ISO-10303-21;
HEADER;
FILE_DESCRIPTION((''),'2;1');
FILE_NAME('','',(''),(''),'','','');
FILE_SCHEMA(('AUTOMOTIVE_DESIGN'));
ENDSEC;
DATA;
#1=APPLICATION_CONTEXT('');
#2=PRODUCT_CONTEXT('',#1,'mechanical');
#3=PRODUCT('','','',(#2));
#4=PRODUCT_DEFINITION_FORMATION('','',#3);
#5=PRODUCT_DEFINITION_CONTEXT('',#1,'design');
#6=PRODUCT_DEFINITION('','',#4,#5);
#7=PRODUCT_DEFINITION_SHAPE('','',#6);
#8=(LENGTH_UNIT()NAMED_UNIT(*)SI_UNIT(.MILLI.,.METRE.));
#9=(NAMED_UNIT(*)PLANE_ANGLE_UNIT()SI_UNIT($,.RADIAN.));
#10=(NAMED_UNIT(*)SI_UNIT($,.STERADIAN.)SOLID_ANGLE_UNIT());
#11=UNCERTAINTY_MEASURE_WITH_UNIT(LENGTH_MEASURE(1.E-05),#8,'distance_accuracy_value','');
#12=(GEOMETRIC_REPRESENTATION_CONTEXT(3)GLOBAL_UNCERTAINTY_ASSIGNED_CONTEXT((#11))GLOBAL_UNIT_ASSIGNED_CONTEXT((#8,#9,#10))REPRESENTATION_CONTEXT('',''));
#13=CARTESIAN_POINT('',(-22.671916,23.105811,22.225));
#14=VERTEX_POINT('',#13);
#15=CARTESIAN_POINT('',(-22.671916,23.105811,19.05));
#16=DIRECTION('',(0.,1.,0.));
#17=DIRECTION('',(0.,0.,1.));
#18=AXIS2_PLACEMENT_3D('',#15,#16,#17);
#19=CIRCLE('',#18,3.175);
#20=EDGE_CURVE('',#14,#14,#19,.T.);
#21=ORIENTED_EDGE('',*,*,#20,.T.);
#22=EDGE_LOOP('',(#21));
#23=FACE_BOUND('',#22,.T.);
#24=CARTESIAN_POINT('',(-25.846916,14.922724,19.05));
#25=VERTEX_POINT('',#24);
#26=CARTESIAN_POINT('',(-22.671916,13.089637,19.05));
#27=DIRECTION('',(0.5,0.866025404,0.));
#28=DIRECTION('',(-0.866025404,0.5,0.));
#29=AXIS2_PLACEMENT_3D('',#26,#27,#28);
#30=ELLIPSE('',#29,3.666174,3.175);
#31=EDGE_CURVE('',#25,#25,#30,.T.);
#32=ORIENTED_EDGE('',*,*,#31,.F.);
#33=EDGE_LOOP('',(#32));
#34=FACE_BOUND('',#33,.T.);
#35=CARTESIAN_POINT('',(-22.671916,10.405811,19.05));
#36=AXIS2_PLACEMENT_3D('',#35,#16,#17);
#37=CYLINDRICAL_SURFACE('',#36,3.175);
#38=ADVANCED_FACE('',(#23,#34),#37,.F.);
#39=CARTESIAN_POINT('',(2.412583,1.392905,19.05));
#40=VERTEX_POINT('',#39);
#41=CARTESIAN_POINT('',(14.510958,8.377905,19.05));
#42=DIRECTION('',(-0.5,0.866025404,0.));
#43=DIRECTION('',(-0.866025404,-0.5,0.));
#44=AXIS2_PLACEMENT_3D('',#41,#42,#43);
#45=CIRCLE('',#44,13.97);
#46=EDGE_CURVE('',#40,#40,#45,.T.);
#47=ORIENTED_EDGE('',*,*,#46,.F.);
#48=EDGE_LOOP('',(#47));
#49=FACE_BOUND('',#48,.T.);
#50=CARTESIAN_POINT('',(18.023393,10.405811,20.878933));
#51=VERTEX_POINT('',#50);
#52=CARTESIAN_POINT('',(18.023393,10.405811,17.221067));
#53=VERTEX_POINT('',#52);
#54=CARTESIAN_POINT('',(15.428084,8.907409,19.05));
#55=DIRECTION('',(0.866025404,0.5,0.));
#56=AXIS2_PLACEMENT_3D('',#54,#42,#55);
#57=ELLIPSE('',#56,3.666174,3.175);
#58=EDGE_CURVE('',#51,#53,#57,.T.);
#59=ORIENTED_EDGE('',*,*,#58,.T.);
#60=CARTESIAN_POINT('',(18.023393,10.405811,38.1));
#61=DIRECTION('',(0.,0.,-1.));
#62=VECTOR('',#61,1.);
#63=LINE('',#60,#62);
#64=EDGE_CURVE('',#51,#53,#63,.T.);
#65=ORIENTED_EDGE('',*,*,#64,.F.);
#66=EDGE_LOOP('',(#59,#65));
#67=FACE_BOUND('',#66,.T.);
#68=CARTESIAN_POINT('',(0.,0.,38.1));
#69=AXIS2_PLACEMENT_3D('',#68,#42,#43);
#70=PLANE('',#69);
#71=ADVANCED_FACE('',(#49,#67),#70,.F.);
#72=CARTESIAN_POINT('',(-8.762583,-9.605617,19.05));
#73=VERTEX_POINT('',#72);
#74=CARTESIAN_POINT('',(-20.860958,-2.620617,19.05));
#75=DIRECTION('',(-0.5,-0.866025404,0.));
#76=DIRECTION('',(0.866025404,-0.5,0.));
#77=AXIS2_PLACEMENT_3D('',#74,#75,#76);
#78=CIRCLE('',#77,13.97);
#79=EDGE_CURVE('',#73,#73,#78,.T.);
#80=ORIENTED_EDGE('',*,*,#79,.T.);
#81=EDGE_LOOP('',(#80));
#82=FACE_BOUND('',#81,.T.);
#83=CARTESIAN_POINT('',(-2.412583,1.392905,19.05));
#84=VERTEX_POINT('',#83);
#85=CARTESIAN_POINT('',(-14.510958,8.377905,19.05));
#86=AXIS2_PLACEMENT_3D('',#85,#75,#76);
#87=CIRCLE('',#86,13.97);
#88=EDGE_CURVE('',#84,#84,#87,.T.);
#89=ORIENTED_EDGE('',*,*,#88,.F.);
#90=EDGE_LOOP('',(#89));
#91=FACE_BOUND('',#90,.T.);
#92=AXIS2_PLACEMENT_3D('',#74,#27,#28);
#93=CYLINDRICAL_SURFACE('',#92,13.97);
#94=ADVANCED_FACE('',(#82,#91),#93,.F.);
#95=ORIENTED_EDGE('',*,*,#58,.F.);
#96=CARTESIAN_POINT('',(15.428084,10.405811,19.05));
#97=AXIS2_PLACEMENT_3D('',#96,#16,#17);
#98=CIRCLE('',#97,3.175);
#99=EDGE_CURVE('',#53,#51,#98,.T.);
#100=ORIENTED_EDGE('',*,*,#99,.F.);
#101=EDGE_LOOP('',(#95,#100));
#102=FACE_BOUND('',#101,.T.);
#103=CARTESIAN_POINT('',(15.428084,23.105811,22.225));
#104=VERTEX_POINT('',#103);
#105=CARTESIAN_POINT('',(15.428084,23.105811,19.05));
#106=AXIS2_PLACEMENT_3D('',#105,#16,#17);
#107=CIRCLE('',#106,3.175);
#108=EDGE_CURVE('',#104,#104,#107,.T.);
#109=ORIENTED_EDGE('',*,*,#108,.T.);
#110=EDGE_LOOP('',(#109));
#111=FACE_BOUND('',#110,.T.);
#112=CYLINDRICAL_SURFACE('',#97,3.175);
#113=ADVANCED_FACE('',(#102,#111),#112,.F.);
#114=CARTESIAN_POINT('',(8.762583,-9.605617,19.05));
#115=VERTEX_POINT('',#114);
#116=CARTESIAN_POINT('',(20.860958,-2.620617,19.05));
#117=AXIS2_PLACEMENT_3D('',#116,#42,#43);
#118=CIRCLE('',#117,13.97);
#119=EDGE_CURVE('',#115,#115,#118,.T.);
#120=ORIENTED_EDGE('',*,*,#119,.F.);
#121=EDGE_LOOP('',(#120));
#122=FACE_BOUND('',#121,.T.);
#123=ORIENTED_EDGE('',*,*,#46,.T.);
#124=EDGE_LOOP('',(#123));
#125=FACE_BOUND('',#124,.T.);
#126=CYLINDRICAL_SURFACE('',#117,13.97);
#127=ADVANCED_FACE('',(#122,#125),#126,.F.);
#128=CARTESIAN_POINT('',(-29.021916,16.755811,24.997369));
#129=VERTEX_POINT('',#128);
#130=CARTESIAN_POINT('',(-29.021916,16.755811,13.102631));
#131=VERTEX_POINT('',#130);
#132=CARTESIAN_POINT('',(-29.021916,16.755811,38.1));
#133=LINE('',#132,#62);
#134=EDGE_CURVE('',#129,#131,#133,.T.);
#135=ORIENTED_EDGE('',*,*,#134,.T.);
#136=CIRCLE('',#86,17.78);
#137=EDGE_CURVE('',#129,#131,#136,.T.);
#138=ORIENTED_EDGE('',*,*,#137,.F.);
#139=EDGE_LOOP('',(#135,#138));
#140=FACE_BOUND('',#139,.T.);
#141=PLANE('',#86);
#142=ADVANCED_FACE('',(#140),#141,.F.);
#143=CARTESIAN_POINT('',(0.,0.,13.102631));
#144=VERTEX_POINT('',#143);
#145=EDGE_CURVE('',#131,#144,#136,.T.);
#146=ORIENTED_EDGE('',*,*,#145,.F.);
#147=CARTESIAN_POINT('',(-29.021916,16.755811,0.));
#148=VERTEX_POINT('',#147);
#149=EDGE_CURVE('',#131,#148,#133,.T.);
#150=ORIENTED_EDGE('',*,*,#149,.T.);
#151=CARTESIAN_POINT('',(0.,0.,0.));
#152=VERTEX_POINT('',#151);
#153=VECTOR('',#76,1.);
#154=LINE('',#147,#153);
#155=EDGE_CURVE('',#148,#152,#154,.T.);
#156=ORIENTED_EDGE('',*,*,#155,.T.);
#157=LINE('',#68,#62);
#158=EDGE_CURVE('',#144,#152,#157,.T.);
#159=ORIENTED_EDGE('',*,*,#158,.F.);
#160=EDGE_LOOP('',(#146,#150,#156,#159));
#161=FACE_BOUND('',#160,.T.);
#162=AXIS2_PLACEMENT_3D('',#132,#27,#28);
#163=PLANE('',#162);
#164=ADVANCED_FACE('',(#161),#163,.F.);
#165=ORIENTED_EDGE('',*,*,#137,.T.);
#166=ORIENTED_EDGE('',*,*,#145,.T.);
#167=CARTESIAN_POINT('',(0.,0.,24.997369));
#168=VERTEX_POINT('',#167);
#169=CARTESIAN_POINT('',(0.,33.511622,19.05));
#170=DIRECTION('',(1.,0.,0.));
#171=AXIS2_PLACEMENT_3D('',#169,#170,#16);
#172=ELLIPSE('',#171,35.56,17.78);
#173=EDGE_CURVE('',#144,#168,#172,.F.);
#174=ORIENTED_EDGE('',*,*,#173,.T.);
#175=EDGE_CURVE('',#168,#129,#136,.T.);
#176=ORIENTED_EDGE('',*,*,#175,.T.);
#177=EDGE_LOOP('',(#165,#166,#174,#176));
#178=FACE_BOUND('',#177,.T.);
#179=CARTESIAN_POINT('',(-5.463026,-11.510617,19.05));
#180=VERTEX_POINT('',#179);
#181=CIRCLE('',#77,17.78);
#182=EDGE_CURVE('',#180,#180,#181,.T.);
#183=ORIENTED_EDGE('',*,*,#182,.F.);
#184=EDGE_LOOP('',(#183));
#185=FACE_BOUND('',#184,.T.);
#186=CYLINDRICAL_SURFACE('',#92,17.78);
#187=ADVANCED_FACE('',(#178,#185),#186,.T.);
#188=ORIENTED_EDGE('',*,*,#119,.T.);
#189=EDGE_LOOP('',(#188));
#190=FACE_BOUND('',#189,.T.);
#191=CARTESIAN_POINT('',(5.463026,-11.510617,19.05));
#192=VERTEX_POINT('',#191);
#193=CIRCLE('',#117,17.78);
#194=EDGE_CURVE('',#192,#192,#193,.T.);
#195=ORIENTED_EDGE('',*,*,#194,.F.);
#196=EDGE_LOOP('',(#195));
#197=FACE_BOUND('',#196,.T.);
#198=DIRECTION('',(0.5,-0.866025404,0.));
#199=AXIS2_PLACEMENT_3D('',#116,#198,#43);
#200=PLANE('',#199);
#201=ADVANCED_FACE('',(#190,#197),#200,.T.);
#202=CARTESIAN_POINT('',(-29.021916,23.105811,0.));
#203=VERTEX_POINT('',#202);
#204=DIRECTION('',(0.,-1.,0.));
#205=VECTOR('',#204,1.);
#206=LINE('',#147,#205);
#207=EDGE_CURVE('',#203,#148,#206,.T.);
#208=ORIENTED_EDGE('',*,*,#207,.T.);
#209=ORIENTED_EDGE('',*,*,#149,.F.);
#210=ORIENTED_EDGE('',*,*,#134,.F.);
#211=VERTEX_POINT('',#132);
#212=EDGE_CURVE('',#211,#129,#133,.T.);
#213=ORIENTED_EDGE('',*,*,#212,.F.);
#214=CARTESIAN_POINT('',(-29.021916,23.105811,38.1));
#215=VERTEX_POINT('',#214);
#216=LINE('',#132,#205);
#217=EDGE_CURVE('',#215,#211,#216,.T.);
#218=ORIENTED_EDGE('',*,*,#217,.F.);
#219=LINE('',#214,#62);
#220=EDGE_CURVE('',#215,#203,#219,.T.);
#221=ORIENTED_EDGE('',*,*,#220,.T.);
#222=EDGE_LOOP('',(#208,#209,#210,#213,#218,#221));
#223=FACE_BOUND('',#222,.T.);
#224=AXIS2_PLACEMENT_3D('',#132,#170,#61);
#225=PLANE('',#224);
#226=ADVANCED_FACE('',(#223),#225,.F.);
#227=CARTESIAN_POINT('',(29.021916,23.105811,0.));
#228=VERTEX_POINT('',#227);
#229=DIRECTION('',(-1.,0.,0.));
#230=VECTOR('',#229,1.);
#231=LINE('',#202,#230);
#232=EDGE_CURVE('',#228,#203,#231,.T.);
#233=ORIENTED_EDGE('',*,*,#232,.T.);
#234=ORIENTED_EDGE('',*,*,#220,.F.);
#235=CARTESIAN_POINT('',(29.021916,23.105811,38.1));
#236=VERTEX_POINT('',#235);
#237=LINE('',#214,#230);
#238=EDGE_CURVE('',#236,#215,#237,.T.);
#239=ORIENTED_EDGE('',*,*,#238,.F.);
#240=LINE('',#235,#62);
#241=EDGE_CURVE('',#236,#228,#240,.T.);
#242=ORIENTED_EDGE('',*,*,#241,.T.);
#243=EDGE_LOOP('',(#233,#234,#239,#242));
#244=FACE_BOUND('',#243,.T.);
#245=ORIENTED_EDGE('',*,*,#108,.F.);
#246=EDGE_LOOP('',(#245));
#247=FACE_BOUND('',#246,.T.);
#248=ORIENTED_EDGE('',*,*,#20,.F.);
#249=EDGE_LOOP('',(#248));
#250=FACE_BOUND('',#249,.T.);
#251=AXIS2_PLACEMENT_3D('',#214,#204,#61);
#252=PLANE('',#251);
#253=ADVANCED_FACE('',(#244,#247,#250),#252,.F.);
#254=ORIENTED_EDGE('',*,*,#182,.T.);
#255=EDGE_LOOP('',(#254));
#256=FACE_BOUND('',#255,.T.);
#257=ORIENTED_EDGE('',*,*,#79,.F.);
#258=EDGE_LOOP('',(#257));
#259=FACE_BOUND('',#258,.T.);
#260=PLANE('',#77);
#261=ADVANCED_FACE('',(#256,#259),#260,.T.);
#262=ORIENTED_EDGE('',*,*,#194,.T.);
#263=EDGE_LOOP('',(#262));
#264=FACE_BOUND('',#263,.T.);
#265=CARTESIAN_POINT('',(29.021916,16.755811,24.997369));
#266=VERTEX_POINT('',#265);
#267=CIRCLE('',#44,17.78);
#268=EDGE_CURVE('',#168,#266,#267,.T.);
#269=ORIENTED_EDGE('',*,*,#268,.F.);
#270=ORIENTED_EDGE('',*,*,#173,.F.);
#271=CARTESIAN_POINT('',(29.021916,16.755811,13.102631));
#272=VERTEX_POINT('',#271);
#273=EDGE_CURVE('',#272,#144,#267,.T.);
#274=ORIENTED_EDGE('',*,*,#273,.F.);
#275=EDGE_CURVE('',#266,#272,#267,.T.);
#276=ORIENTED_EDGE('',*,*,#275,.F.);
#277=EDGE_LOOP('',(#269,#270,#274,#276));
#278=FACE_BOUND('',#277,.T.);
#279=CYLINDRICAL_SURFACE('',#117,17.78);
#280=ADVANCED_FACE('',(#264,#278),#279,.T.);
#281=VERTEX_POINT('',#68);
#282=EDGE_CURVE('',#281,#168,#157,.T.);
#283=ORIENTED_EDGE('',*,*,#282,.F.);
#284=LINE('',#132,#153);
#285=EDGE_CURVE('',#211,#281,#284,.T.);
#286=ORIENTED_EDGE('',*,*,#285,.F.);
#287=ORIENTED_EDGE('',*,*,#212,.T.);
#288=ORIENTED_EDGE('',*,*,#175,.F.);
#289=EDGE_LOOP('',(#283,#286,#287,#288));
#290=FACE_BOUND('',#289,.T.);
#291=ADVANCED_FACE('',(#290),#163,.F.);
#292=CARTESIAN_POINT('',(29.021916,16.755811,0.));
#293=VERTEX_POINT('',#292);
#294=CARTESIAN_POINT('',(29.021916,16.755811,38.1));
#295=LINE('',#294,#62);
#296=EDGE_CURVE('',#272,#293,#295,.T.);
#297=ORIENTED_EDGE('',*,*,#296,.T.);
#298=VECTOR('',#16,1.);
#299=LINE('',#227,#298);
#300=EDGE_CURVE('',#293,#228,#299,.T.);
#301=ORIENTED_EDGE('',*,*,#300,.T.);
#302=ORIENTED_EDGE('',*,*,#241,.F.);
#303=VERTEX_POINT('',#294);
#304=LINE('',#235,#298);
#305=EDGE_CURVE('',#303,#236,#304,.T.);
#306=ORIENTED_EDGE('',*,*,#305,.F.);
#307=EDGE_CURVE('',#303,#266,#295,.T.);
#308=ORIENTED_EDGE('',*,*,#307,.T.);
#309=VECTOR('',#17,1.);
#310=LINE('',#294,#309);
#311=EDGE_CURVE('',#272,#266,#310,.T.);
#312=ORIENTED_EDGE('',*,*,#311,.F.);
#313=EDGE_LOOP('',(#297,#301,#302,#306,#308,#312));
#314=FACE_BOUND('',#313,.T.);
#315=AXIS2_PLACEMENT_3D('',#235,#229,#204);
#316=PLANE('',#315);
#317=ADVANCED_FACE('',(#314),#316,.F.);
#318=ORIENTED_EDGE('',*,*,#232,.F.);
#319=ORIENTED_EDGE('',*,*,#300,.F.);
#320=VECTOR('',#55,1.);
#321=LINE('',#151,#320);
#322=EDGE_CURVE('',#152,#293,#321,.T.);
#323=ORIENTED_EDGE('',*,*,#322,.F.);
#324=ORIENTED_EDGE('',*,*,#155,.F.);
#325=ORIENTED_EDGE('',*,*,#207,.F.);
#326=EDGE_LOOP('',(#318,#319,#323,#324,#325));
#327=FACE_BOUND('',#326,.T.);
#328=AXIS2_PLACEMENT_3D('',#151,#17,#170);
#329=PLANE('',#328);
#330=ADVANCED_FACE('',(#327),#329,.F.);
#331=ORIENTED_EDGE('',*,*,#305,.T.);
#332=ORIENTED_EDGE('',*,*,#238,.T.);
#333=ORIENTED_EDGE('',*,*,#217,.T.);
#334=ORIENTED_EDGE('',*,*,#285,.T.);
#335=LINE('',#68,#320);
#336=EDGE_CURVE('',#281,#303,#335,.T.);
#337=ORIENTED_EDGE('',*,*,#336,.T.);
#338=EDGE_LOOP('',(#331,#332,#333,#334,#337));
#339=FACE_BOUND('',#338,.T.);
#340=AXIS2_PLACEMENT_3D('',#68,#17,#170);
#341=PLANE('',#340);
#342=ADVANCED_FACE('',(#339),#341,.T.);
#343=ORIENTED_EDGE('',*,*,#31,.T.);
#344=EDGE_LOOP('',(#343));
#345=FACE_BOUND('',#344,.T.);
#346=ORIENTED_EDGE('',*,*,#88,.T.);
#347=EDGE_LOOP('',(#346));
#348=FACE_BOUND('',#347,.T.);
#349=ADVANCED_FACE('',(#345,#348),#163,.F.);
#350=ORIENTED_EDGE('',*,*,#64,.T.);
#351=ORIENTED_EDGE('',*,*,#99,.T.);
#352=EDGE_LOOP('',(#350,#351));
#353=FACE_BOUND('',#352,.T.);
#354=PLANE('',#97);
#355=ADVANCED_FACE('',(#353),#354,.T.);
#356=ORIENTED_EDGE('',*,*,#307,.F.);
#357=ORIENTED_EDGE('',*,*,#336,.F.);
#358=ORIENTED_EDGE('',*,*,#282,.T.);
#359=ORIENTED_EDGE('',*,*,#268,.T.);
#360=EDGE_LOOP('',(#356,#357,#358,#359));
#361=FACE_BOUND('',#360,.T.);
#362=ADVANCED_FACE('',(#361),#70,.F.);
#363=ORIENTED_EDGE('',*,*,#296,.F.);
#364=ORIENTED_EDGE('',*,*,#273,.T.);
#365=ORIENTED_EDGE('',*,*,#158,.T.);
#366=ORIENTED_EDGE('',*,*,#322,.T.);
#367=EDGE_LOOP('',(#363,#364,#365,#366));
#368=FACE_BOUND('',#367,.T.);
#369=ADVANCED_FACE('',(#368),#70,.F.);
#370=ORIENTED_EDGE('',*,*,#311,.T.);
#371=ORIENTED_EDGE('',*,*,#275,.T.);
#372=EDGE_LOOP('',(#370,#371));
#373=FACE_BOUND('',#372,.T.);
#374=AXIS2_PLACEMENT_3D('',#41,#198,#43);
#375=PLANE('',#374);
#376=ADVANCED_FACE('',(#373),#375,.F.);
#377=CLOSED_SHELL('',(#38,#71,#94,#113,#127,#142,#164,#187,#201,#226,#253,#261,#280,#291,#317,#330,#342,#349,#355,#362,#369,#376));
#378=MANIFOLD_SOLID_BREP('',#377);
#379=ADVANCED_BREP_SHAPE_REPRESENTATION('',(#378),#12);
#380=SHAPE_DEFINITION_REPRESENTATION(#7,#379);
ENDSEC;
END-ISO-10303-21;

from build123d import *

# Parameters (mm, degrees)
BOSS_EXTRUDE1_DEPTH = 38.1
SKETCH4_R           = 17.78
SKETCH4_R_2         = 13.97
BOSS_EXTRUDE3_DEPTH = 12.7
SKETCH5_R           = 3.175
CUT_EXTRUDE2_DEPTH  = 12.7


with BuildPart() as part:
    # Sketch1 → Boss-Extrude1 (new body)
    with BuildSketch(Plane.XY):
        Polygon((-29.021915902, 16.755810958), (-29.021915902, 23.105810958), (29.021915902, 23.105810958), (29.021915902, 16.755810958), (0, 0), align=None)
    extrude(amount=BOSS_EXTRUDE1_DEPTH)

    # Sketch4 → Boss-Extrude3 (add)
    with BuildSketch(Plane(origin=(0, 0, 0), x_dir=(0.8660254037844379, -0.5000000000000012, 0), z_dir=(-0.5000000000000012, -0.8660254037844379, 0))):
        with Locations(Location((-16.755810958, 19.05, 0), (0, 0, 160.458003801))):
            Circle(SKETCH4_R)
        with Locations((-16.755810958, 19.05)):
            Circle(SKETCH4_R_2, mode=Mode.SUBTRACT)
    boss_extrude3 = extrude(amount=BOSS_EXTRUDE3_DEPTH)

    # Mirror2: Boss-Extrude3 across plane
    add(boss_extrude3.mirror(Plane.ZY))

    # Sketch5 → Cut-Extrude2 (cut)
    with BuildSketch(Plane(origin=(0, 23.105810958, 0), x_dir=(1, 0, 0), z_dir=(0, 1, 0))):
        with Locations(Location((-22.671915902, -19.05, 0), (0, 0, 270))):
            Circle(SKETCH5_R)
        with Locations(Location((15.428084098, -19.05, 0), (0, 0, 270))):
            Circle(SKETCH5_R)
    extrude(amount=-CUT_EXTRUDE2_DEPTH, mode=Mode.SUBTRACT)


solid = part.part
